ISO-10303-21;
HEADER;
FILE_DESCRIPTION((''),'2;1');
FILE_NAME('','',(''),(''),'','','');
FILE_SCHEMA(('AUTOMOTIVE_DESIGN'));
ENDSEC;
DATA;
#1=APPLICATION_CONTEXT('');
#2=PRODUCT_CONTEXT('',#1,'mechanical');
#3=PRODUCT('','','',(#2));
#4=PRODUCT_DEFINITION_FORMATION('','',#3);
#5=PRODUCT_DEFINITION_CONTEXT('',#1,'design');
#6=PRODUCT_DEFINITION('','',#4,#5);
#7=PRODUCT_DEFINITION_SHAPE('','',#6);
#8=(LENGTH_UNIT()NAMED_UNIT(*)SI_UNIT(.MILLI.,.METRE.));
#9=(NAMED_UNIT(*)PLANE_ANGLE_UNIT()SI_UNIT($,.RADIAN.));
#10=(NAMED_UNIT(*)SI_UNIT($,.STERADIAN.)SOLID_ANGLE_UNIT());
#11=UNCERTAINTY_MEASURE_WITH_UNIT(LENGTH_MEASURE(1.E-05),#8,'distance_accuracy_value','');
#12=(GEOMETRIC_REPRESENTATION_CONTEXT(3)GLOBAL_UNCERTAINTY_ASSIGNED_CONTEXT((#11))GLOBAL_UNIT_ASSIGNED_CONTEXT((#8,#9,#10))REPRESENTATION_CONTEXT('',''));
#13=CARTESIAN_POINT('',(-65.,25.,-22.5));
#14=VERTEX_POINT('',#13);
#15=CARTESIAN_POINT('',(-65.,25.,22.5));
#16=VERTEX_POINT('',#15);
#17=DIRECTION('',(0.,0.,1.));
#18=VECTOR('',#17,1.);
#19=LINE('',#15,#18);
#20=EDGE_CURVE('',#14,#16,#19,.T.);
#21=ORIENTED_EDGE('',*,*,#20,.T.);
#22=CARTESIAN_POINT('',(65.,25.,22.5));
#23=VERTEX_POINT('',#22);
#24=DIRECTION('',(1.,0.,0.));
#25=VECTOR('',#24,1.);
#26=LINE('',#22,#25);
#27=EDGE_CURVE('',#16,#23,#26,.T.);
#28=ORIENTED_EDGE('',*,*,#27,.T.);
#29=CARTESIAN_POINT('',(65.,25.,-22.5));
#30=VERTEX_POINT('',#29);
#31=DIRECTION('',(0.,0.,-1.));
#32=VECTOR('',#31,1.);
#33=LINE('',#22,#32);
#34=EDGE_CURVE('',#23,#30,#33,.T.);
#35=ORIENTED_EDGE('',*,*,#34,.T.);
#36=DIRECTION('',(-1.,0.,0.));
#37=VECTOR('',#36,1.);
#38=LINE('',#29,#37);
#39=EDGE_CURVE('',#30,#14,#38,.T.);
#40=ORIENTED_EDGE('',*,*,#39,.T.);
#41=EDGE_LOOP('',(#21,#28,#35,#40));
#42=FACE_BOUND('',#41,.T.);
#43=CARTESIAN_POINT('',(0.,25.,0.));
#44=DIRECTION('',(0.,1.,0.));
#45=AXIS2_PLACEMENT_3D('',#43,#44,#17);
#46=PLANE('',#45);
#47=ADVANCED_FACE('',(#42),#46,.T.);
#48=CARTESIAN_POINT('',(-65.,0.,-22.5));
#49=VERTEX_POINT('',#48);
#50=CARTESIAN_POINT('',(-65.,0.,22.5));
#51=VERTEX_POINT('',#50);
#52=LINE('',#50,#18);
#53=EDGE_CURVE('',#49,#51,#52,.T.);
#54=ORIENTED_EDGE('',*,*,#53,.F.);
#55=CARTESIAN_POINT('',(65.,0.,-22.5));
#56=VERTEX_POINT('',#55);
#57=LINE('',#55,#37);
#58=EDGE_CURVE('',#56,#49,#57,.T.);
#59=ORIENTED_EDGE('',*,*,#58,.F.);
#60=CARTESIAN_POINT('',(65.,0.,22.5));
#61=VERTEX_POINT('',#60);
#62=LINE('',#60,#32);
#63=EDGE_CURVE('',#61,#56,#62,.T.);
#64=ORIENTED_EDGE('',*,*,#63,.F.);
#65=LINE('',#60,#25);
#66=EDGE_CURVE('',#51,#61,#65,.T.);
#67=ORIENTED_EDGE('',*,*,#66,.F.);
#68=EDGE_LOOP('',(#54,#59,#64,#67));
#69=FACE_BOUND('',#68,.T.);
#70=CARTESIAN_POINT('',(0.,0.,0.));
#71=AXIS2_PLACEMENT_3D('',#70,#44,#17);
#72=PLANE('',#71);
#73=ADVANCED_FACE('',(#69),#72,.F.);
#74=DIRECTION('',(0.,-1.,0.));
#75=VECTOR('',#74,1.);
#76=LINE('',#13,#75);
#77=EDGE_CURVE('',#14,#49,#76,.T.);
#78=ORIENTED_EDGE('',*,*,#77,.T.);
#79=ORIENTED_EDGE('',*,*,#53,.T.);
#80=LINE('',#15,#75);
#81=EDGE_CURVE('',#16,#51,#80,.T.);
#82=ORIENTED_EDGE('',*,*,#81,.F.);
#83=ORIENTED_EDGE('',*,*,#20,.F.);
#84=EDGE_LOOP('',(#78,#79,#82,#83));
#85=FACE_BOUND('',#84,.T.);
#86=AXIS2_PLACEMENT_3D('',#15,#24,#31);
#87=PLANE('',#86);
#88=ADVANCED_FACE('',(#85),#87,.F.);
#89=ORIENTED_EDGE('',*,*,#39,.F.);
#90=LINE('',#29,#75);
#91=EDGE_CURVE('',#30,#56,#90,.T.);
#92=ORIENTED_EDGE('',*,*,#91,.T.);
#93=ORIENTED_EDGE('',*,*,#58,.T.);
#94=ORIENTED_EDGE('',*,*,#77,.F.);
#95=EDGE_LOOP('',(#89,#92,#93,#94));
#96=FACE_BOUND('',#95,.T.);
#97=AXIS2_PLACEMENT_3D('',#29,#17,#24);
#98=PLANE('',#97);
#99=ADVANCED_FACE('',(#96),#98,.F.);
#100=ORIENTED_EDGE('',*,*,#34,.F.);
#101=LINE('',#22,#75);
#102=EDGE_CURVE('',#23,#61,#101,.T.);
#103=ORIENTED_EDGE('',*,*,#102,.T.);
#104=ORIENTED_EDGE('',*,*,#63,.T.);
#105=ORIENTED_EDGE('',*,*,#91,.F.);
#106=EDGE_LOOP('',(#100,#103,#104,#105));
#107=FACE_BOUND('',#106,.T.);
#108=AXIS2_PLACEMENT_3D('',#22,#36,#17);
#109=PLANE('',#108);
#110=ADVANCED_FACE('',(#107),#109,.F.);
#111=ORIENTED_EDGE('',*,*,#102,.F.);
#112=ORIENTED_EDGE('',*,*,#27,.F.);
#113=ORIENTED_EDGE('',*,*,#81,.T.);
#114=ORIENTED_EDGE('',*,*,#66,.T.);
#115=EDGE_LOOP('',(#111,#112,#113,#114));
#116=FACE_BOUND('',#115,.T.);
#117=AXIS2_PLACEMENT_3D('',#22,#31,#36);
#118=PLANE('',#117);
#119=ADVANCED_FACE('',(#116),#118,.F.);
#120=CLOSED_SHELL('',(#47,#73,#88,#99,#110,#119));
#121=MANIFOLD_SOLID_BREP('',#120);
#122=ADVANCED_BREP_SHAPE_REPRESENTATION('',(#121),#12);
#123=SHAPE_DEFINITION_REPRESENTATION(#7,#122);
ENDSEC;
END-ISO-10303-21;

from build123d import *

# Parameters (mm, degrees)
SKETCH_1_W      = 130
SKETCH_1_H      = 45
EXTRUDE_1_DEPTH = 25


with BuildPart() as part:
    # Эскиз1 → Бобышка-Вытянуть1 (new body)
    with BuildSketch(Plane(origin=(0, 0, 0), x_dir=(1, 0, 0), z_dir=(0, 1, 0))):
        Rectangle(SKETCH_1_W, SKETCH_1_H)
    extrude(amount=EXTRUDE_1_DEPTH)


solid = part.part
